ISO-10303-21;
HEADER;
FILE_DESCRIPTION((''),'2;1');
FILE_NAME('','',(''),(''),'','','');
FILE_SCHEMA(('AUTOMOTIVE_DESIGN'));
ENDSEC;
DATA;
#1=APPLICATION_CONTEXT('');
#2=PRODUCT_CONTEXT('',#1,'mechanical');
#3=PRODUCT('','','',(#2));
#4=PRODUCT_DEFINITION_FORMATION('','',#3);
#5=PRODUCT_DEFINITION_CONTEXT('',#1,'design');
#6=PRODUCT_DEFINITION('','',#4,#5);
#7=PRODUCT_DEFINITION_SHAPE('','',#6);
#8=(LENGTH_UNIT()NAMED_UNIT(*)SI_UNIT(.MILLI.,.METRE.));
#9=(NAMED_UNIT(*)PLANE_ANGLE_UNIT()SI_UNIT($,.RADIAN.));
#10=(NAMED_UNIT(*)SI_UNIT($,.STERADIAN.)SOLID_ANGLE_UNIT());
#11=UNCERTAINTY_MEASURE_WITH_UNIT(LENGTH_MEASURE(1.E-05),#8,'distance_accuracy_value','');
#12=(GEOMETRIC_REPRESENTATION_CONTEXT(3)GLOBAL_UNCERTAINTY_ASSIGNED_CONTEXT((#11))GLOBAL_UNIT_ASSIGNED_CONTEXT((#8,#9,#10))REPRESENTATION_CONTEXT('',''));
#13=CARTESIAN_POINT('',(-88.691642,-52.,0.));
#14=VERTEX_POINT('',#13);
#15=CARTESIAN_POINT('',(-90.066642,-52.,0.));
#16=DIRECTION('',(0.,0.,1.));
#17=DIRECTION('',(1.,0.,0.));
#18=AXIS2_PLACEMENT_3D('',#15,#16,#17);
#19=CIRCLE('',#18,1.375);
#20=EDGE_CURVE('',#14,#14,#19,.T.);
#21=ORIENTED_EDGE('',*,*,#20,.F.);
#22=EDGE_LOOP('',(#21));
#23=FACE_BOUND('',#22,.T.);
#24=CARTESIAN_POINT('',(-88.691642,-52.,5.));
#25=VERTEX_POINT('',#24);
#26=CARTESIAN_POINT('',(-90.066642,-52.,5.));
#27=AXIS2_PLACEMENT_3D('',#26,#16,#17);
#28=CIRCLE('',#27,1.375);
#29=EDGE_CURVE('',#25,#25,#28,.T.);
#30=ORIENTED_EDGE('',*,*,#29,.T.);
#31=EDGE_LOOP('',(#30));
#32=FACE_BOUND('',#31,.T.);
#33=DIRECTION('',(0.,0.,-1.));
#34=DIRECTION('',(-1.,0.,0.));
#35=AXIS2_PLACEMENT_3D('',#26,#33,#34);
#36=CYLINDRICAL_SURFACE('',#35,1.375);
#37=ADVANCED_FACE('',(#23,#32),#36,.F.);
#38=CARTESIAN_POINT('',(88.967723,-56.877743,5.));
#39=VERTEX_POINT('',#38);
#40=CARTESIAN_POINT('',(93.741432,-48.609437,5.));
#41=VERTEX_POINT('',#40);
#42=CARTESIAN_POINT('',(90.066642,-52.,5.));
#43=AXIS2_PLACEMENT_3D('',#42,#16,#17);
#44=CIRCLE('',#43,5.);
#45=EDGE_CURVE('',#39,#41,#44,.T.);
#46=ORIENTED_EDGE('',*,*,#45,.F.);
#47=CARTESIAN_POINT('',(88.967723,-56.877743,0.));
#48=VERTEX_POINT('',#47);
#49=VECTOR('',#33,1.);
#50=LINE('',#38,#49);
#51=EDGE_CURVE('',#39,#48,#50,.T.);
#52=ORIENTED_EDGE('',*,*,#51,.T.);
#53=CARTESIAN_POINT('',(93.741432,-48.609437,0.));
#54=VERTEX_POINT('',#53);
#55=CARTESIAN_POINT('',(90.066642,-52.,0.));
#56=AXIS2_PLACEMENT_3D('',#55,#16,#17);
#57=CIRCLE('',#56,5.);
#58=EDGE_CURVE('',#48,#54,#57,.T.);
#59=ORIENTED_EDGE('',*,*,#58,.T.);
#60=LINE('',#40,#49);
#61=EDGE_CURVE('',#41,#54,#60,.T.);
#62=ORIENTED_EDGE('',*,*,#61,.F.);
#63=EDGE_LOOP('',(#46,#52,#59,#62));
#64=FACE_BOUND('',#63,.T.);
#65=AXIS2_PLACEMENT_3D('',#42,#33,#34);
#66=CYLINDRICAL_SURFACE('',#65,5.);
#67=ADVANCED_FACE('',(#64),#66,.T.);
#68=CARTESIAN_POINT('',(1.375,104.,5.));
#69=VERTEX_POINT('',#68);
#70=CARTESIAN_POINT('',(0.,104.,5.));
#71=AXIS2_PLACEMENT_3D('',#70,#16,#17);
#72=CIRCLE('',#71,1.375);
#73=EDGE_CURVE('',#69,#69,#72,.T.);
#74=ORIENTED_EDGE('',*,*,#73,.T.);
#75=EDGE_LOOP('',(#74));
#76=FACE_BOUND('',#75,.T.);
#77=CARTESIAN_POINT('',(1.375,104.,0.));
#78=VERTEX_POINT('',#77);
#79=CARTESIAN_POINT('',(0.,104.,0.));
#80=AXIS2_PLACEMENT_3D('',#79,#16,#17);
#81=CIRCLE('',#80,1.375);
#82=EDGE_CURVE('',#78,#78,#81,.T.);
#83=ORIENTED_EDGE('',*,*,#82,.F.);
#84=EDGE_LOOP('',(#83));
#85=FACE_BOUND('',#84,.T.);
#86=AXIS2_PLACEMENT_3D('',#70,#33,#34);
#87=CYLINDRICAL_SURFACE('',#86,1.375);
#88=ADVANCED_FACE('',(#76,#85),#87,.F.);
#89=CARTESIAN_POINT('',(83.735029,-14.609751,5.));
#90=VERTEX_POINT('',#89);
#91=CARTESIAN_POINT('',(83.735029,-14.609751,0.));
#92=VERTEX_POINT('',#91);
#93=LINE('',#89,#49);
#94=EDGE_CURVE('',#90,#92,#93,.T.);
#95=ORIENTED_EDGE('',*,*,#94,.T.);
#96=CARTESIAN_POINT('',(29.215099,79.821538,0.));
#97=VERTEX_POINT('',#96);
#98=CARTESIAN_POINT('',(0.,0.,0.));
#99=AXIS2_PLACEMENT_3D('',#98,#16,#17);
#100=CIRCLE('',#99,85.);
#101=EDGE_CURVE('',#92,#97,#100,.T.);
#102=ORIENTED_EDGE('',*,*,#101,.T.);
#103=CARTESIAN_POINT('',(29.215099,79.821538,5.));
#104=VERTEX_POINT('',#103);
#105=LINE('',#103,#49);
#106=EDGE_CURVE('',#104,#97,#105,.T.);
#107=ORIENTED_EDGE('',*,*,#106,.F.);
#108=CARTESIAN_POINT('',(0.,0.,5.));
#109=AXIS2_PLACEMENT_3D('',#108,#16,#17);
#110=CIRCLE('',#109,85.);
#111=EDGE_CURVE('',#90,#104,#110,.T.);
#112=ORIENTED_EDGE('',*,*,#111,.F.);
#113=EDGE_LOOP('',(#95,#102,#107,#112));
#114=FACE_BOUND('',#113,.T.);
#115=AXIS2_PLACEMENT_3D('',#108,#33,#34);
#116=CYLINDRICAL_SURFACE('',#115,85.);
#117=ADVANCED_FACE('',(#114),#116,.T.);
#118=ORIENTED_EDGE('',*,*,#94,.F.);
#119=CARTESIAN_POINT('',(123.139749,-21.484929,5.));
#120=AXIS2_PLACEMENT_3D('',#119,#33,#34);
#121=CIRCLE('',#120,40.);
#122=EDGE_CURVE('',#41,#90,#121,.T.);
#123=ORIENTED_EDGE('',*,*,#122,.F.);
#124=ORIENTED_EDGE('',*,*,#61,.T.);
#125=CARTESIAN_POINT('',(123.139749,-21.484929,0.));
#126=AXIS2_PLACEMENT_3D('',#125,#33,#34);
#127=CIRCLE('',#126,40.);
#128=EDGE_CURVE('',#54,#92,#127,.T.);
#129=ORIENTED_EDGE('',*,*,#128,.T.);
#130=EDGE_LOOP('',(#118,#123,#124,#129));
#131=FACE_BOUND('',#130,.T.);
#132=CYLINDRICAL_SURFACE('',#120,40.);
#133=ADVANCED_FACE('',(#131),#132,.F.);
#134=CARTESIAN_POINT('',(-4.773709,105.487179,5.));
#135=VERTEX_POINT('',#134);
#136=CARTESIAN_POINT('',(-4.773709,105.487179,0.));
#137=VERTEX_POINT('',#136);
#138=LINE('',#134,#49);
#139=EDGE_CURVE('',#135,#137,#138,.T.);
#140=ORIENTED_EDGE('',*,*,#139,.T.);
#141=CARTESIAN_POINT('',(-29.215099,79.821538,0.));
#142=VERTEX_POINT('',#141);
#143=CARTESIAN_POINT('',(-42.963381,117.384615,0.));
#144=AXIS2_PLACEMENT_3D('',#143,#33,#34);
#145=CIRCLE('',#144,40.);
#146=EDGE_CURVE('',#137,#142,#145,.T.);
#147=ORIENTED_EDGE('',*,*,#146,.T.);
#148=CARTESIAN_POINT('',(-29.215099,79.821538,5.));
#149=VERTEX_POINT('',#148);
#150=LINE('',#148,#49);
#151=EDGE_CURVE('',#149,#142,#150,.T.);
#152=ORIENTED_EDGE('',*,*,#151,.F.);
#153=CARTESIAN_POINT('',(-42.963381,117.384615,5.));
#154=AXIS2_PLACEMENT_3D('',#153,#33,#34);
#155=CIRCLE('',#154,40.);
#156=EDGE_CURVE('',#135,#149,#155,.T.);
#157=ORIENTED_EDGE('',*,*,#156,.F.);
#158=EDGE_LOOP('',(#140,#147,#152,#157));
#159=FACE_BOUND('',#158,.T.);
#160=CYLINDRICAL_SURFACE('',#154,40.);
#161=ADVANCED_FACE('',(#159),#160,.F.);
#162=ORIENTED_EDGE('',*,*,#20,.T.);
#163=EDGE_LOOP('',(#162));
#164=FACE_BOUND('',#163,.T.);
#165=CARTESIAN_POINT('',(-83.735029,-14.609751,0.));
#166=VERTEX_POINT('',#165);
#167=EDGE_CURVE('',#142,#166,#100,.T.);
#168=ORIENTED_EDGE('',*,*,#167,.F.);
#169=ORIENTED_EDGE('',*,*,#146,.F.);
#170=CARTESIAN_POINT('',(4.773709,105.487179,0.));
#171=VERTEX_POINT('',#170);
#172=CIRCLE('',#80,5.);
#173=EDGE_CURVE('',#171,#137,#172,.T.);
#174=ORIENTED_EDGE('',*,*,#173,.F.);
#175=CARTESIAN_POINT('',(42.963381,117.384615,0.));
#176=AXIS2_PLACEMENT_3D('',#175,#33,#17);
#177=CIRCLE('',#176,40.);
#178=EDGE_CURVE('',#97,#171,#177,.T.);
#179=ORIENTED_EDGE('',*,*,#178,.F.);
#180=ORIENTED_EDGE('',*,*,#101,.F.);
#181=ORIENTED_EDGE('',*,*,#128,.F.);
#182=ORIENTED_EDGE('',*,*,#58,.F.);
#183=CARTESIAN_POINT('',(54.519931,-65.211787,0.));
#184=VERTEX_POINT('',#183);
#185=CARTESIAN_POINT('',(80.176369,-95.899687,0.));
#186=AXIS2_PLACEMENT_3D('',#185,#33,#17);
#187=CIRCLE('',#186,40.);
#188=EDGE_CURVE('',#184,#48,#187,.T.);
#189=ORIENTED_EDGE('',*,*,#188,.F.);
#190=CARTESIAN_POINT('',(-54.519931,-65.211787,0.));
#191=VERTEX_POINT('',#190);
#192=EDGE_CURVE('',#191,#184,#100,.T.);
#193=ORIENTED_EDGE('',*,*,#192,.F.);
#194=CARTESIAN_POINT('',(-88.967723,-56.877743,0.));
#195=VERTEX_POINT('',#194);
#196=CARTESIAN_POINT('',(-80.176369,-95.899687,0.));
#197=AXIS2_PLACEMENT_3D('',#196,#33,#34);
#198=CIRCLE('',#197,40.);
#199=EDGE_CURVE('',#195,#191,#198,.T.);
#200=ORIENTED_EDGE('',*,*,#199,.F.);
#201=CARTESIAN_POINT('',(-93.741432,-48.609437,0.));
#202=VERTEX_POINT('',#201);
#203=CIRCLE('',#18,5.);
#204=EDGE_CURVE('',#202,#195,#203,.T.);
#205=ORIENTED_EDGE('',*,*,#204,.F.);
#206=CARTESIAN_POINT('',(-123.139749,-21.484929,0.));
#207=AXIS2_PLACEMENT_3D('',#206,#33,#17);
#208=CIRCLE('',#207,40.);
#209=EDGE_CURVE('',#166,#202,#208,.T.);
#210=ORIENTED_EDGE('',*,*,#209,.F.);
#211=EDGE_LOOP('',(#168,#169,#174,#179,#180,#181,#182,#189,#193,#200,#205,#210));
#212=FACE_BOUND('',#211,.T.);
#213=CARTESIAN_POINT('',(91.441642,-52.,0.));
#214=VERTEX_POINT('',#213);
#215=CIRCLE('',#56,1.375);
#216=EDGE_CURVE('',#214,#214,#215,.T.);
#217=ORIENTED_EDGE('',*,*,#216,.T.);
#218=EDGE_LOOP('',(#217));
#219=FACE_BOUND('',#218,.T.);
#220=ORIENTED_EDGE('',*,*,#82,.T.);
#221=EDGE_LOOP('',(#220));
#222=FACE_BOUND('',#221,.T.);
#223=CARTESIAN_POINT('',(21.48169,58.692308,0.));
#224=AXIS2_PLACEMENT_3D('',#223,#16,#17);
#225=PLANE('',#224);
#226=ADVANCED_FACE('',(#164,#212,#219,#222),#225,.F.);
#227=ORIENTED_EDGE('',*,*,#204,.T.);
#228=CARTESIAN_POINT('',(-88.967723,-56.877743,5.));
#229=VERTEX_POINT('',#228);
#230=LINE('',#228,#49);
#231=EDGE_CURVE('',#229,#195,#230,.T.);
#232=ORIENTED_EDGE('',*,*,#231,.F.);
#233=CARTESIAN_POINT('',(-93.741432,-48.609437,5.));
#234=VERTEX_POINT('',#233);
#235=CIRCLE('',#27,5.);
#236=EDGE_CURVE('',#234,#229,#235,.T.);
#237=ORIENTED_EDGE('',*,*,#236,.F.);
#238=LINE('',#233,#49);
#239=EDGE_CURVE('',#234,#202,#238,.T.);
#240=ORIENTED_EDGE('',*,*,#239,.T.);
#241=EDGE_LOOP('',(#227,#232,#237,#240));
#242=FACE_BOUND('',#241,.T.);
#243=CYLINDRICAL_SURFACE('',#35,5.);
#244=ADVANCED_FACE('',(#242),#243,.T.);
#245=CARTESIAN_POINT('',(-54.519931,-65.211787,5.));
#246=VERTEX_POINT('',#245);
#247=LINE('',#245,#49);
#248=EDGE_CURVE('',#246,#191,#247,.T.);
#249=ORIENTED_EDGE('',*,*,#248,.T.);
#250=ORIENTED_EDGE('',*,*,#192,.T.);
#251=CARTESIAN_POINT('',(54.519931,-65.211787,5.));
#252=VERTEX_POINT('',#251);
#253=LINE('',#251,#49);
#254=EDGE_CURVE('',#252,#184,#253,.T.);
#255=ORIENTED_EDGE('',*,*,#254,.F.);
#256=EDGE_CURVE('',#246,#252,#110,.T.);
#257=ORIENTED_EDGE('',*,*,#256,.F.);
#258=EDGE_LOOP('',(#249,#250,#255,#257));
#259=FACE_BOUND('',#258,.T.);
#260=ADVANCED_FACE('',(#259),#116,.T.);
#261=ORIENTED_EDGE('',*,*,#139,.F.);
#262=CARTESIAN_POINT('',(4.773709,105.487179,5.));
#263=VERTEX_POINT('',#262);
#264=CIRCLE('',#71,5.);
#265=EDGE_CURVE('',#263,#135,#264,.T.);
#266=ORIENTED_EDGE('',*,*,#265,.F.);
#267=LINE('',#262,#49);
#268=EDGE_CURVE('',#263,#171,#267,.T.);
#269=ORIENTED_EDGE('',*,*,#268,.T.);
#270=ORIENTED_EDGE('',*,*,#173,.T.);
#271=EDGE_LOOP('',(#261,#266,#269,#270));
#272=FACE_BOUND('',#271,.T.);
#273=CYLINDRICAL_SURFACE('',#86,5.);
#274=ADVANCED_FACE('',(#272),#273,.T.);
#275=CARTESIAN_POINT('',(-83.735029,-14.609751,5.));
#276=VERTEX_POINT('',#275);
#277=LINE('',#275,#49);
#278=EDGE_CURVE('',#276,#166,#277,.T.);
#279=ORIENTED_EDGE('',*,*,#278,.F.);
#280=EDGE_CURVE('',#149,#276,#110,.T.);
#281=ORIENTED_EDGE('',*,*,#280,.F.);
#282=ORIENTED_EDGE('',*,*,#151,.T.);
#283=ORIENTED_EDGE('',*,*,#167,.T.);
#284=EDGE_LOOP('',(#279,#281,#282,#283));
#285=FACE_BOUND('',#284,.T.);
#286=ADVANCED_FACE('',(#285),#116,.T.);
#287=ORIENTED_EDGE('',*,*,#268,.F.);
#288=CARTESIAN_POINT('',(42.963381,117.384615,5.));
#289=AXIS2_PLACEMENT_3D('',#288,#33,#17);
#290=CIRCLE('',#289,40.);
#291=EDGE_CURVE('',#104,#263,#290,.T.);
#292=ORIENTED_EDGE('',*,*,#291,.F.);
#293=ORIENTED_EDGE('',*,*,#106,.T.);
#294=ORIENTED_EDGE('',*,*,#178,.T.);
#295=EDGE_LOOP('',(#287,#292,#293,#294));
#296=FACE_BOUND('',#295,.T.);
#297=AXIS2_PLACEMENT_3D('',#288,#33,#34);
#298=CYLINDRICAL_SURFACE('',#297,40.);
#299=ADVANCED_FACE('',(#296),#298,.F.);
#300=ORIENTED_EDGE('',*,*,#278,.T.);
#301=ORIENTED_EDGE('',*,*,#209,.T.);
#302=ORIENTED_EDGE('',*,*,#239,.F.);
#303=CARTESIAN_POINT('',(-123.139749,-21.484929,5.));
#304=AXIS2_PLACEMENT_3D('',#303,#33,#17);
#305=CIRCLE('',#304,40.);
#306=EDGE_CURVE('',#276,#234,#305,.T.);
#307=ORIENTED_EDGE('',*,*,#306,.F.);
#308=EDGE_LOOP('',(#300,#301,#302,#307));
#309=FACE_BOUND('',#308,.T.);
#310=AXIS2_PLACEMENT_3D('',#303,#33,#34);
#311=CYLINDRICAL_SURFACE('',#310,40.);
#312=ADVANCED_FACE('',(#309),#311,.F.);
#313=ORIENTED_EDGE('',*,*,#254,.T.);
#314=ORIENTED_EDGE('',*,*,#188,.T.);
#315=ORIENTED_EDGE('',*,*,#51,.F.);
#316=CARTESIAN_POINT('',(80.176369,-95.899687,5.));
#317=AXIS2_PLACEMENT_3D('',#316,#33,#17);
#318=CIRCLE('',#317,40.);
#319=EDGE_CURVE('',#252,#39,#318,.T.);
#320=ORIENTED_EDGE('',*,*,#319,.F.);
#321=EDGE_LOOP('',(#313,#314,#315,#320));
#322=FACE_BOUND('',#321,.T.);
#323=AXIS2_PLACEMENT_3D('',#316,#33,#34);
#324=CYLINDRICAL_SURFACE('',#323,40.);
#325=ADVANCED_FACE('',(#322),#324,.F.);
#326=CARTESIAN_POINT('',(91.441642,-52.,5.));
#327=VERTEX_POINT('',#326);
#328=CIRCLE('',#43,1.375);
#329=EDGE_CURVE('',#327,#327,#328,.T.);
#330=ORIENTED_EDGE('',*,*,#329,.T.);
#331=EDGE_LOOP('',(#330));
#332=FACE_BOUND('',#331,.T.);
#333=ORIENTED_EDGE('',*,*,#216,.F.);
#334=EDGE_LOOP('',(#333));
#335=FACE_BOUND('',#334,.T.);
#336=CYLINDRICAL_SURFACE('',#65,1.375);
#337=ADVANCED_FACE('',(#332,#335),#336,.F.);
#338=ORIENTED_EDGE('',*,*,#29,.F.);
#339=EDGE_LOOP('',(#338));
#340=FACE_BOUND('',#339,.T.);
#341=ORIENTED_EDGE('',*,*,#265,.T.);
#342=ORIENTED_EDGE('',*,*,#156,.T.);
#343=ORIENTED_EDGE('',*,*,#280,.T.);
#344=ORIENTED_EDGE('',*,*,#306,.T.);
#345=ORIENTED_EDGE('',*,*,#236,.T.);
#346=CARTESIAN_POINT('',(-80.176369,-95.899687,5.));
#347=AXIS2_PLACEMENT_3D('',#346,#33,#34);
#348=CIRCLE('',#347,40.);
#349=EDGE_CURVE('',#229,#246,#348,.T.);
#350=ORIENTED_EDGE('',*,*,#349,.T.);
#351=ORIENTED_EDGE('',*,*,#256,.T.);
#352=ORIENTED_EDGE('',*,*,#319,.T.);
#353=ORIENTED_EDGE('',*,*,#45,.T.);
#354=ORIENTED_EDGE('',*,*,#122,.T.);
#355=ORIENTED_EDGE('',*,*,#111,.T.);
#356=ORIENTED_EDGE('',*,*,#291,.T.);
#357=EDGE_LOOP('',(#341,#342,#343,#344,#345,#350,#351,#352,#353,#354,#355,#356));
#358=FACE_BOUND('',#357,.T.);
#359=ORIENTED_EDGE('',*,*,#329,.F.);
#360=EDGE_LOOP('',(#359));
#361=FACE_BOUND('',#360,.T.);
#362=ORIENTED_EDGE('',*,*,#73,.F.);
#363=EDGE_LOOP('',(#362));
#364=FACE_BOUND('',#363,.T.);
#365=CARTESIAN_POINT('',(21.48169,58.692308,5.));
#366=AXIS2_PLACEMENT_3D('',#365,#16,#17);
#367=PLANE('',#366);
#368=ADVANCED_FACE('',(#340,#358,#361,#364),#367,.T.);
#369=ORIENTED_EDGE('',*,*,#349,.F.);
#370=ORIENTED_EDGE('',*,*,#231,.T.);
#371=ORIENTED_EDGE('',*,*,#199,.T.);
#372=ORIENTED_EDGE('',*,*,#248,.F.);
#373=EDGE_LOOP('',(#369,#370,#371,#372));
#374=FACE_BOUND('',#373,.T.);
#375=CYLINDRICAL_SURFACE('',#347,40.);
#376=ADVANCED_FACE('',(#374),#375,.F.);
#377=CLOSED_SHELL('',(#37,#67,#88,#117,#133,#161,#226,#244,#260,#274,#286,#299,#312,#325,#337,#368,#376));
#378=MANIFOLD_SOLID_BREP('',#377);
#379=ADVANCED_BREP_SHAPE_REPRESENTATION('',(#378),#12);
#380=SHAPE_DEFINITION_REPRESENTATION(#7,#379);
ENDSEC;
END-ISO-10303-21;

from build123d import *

# Parameters (mm, degrees)
SKETCH1_R           = 1.375
BOSS_EXTRUDE1_DEPTH = 5


with BuildPart() as part:
    # Sketch1 → Boss-Extrude1 (new body)
    with BuildSketch(Plane.XY):
        with BuildLine():
            ThreePointArc((-29.215098796, 79.821538462), (-73.612159322, 42.5), (-83.735029475, -14.6097515))
            ThreePointArc((-83.735029475, -14.6097515), (-84.767114048, -32.77832805), (-93.741431686, -48.60943652))
            ThreePointArc((-93.741431686, -48.60943652), (-94.396769013, -54.5), (-88.967722733, -56.877742968))
            ThreePointArc((-88.967722733, -56.877742968), (-70.770421809, -57.021310146), (-54.519930679, -65.211786962))
            ThreePointArc((-54.519930679, -65.211786962), (0, -85), (54.519930679, -65.211786962))
            ThreePointArc((54.519930679, -65.211786962), (70.770421809, -57.021310146), (88.967722733, -56.877742968))
            ThreePointArc((88.967722733, -56.877742968), (94.396769013, -54.5), (93.741431686, -48.60943652))
            ThreePointArc((93.741431686, -48.60943652), (84.767114048, -32.77832805), (83.735029475, -14.6097515))
            ThreePointArc((83.735029475, -14.6097515), (73.612159322, 42.5), (29.215098796, 79.821538462))
            ThreePointArc((29.215098796, 79.821538462), (13.996692239, 89.799638196), (4.773708954, 105.487179487))
            ThreePointArc((4.773708954, 105.487179487), (0, 109), (-4.773708954, 105.487179487))
            ThreePointArc((-4.773708954, 105.487179487), (-13.996692239, 89.799638196), (-29.215098796, 79.821538462))
        make_face()
        with Locations((0, 104)):
            Circle(SKETCH1_R, mode=Mode.SUBTRACT)
        with Locations((90.066641994, -52)):
            Circle(SKETCH1_R, mode=Mode.SUBTRACT)
        with Locations((-90.066641994, -52)):
            Circle(SKETCH1_R, mode=Mode.SUBTRACT)
    extrude(amount=BOSS_EXTRUDE1_DEPTH)


solid = part.part
